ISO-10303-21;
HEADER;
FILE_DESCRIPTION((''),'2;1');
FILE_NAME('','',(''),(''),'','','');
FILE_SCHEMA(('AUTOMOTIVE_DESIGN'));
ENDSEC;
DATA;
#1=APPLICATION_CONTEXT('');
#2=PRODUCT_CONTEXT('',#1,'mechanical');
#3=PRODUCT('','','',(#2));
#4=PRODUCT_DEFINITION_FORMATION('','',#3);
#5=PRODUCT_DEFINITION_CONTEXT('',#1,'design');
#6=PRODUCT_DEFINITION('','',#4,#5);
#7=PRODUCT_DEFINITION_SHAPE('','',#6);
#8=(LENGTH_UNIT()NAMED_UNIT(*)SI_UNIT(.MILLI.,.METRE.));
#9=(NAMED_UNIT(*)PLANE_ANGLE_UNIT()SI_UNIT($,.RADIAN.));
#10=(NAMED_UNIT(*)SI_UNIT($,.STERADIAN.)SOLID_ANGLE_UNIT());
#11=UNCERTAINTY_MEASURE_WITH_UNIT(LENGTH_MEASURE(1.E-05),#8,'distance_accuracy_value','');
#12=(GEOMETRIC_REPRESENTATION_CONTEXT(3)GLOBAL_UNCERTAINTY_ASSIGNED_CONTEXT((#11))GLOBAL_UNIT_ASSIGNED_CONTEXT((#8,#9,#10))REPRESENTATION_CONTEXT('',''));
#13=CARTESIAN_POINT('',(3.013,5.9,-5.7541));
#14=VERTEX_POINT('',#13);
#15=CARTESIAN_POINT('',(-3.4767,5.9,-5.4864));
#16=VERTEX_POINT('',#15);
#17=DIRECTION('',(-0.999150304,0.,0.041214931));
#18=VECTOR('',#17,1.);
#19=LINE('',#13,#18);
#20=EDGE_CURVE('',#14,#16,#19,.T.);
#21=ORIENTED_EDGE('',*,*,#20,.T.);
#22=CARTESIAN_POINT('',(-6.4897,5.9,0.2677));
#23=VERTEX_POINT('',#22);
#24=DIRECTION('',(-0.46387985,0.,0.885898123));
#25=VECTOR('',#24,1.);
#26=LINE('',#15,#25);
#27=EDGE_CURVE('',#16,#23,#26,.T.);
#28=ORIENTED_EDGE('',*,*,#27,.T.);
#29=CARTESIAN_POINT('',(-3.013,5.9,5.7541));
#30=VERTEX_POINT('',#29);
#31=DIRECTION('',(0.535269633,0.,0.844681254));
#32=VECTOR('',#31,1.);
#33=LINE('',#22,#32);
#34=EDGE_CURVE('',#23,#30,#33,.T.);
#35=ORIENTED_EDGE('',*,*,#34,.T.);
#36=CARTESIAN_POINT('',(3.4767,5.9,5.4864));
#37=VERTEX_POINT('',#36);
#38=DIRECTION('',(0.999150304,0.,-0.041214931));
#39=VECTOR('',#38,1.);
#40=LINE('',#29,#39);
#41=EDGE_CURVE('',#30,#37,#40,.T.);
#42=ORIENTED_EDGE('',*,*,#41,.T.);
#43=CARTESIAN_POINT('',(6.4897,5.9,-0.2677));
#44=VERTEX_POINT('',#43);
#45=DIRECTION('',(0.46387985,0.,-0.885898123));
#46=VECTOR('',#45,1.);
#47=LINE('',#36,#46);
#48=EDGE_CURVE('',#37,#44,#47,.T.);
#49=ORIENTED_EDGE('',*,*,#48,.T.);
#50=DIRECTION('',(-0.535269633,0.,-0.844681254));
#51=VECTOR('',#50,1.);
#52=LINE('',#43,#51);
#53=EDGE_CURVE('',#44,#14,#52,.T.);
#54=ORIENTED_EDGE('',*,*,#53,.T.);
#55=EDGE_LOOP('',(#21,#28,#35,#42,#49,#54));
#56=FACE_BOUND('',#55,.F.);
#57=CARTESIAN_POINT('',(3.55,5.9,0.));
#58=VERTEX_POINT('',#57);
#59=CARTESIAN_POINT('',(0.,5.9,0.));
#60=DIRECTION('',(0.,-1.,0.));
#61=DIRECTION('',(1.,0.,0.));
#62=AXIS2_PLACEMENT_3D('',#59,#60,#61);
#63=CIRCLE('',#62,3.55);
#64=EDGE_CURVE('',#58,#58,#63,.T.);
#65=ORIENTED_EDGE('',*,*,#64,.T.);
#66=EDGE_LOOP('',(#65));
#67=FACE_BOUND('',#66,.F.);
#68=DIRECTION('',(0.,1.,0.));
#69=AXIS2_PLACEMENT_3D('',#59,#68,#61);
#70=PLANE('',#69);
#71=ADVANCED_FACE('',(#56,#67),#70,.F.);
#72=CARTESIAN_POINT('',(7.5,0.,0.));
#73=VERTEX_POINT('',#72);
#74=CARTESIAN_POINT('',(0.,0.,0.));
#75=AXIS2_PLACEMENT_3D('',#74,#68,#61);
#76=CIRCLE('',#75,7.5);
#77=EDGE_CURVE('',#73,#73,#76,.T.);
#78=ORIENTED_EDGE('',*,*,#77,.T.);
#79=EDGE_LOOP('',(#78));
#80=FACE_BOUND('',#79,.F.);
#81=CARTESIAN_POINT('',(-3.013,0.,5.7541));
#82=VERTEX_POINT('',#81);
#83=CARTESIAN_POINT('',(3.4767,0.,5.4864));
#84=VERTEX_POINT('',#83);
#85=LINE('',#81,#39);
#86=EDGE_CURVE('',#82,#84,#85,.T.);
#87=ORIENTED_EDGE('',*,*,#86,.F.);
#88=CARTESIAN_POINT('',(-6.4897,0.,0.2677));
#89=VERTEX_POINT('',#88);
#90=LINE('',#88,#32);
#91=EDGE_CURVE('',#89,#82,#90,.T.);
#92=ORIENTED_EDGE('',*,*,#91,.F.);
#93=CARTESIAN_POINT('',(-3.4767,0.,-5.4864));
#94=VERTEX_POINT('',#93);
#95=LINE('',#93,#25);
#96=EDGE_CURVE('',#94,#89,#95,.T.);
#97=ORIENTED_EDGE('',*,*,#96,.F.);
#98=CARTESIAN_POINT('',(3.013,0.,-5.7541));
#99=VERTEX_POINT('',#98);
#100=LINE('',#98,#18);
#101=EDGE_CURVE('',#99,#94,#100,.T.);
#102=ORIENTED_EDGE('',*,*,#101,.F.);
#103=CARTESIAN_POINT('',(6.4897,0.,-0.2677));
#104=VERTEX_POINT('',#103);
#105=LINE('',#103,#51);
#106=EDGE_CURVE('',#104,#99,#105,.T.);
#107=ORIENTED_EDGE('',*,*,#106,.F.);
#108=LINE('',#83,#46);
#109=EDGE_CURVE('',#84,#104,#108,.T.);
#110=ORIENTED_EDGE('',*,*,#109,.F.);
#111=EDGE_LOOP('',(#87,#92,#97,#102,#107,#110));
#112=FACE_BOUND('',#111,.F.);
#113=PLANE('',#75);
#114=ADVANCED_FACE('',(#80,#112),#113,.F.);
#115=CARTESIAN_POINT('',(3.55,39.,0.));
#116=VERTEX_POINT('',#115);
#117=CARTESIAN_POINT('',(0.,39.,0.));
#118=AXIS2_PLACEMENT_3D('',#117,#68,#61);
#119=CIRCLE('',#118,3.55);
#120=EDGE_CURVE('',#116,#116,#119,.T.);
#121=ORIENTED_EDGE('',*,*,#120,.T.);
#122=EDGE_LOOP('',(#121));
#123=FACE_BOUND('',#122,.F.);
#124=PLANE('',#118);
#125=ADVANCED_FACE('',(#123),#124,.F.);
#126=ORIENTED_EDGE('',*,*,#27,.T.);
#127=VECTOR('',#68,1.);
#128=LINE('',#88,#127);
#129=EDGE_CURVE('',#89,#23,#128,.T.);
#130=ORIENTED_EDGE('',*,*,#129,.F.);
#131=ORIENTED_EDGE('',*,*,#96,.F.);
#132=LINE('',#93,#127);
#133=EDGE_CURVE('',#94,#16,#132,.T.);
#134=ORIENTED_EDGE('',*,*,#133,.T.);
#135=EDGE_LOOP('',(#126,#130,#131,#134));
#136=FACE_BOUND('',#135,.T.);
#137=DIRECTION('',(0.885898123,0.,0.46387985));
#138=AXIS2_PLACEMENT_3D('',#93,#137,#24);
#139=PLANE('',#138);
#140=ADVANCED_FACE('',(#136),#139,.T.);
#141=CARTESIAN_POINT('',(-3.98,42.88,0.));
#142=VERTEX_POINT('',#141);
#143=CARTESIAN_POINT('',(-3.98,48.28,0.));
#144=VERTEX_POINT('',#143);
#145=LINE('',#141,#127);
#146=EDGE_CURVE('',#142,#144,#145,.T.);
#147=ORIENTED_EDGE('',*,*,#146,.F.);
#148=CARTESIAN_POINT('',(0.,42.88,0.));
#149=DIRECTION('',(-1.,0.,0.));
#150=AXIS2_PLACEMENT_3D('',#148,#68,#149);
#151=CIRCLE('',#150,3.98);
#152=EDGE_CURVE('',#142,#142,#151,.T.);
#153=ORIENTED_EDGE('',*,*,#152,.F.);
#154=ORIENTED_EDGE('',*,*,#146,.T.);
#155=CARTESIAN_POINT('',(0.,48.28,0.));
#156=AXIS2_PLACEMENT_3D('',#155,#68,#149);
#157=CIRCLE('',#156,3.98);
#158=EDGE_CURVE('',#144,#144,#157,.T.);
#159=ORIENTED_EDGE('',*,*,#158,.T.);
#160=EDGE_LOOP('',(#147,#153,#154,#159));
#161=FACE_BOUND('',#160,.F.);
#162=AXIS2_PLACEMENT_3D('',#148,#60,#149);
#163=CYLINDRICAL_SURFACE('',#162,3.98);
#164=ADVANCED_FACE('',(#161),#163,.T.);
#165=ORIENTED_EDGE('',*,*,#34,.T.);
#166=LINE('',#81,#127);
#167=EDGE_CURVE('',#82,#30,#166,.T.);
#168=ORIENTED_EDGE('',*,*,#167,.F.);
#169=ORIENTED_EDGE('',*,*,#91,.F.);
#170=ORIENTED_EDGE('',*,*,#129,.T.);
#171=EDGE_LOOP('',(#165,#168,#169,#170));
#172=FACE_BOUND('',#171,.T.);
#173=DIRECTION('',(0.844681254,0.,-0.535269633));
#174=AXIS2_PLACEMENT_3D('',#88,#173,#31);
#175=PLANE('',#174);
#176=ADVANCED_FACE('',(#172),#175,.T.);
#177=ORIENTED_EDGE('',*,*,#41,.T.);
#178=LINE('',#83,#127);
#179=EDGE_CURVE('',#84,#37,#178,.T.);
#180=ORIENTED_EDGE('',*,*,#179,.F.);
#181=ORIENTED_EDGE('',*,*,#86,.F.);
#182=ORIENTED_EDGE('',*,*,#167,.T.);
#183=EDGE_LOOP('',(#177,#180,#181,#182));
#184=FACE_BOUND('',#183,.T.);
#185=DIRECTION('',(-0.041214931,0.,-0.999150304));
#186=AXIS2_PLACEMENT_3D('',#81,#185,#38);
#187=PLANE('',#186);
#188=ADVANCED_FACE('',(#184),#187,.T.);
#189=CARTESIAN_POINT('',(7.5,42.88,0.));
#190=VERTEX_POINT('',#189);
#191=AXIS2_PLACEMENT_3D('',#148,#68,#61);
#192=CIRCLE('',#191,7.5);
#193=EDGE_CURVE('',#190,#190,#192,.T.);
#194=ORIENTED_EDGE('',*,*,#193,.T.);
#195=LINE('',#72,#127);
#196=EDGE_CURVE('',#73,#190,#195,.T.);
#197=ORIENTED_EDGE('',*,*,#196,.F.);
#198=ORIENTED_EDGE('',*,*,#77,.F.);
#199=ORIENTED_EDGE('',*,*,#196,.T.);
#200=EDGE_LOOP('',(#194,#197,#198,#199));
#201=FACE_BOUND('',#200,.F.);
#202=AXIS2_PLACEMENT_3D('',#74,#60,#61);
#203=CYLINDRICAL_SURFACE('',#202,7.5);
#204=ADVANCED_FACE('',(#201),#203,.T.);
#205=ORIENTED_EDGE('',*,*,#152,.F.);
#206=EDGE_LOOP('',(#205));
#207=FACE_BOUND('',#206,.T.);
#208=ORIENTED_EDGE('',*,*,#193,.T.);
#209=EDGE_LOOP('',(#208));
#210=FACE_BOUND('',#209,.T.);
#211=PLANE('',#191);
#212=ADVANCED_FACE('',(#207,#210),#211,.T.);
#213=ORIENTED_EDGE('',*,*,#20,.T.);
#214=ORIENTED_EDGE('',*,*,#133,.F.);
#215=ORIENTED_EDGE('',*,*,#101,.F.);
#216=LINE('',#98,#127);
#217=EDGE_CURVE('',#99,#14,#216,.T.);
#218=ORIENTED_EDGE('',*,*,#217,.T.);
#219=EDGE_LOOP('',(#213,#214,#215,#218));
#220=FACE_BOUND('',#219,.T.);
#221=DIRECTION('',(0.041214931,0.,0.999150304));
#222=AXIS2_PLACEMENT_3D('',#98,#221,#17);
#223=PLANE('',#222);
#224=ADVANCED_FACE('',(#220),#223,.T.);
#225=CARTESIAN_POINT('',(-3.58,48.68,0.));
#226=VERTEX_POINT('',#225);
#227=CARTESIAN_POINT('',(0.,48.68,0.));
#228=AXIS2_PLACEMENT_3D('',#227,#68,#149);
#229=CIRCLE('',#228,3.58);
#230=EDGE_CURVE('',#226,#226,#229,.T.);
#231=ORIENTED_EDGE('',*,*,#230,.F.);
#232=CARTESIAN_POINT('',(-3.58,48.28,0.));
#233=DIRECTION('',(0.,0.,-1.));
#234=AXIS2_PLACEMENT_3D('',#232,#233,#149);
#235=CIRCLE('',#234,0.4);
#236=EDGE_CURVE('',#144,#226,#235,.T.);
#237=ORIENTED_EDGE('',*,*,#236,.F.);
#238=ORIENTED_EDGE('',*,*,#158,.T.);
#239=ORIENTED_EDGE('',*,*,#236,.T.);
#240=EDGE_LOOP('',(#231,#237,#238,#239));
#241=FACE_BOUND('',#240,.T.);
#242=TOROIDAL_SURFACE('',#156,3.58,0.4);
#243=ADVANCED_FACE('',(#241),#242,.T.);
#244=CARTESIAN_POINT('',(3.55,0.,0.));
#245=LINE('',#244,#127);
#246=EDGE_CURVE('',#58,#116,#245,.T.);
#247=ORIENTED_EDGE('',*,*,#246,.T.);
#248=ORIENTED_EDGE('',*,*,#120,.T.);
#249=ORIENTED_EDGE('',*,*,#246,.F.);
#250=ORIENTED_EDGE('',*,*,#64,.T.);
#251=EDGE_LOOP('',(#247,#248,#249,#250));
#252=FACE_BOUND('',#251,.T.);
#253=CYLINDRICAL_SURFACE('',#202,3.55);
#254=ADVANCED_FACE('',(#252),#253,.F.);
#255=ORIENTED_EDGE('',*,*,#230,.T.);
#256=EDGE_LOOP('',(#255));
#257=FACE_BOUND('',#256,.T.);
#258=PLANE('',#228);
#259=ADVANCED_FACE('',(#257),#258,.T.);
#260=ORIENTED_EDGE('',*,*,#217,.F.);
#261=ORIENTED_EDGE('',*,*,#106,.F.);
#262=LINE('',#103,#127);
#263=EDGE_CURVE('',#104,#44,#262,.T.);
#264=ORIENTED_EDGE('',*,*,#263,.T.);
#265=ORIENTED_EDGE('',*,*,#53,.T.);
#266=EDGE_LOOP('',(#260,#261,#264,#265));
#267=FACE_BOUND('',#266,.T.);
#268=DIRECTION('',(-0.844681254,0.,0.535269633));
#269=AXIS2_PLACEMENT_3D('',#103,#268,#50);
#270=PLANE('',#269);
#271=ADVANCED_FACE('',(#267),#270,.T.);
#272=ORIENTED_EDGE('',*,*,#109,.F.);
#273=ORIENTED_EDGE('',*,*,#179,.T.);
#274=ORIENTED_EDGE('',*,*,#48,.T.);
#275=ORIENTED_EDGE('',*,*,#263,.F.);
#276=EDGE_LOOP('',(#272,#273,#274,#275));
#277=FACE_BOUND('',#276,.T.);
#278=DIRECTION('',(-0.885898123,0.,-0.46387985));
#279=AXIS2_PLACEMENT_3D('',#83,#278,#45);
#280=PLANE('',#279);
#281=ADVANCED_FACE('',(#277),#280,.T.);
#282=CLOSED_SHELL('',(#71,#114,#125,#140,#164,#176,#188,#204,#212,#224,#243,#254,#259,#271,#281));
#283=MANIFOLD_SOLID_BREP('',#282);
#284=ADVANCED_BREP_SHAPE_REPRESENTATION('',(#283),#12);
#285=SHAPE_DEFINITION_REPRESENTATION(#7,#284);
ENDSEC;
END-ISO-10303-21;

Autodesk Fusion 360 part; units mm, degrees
sketch "Sketch1" plane through (0, 0, 0) normal (0, 1, 0) x (1, 0, 0)
  circle A0 centre (0, 0) radius 7.5
  line L0 (6.4897, 0.2677) -> (3.013, 5.7541)
  line L1 (3.013, 5.7541) -> (-3.4767, 5.4864)
  line L2 (-3.4767, 5.4864) -> (-6.4897, -0.2677)
  line L3 (-6.4897, -0.2677) -> (-3.013, -5.7541)
  line L4 (-3.013, -5.7541) -> (3.4767, -5.4864)
  line L5 (3.4767, -5.4864) -> (6.4897, 0.2677)
  circle A1 centre (0, 0) radius 3.55
  dimension "d1" = 15
  dimension "d2" = 5.625
  dimension "d7" = 7.1
extrude "Extrude1" add sketch "Sketch1" along normal blind 42.88 contours A0 | L0 L1 L2 L3 L4 L5 | A1
extrude "Extrude2" cut sketch "Sketch1" along normal blind 5.9 contours L0 L1 L2 L3 L4 L5 | A1
extrude "Extrude3" cut sketch "Sketch1" along normal blind 39 contours A1
sketch "Sketch2" plane through (0, 42.88, 0) normal (0, 1, 0) x (-1, 0, 0)
  circle A0 centre (0, 0) radius 7.5
  circle A1 centre (0, 0) radius 3.98
  dimension "d10" = 7.96
extrude "Extrude4" add sketch "Sketch2" along normal blind 5.8 contours A1
fillet "Fillet1" radius 0.4 1 edges at (3.7107, 48.68, -1.4392)
